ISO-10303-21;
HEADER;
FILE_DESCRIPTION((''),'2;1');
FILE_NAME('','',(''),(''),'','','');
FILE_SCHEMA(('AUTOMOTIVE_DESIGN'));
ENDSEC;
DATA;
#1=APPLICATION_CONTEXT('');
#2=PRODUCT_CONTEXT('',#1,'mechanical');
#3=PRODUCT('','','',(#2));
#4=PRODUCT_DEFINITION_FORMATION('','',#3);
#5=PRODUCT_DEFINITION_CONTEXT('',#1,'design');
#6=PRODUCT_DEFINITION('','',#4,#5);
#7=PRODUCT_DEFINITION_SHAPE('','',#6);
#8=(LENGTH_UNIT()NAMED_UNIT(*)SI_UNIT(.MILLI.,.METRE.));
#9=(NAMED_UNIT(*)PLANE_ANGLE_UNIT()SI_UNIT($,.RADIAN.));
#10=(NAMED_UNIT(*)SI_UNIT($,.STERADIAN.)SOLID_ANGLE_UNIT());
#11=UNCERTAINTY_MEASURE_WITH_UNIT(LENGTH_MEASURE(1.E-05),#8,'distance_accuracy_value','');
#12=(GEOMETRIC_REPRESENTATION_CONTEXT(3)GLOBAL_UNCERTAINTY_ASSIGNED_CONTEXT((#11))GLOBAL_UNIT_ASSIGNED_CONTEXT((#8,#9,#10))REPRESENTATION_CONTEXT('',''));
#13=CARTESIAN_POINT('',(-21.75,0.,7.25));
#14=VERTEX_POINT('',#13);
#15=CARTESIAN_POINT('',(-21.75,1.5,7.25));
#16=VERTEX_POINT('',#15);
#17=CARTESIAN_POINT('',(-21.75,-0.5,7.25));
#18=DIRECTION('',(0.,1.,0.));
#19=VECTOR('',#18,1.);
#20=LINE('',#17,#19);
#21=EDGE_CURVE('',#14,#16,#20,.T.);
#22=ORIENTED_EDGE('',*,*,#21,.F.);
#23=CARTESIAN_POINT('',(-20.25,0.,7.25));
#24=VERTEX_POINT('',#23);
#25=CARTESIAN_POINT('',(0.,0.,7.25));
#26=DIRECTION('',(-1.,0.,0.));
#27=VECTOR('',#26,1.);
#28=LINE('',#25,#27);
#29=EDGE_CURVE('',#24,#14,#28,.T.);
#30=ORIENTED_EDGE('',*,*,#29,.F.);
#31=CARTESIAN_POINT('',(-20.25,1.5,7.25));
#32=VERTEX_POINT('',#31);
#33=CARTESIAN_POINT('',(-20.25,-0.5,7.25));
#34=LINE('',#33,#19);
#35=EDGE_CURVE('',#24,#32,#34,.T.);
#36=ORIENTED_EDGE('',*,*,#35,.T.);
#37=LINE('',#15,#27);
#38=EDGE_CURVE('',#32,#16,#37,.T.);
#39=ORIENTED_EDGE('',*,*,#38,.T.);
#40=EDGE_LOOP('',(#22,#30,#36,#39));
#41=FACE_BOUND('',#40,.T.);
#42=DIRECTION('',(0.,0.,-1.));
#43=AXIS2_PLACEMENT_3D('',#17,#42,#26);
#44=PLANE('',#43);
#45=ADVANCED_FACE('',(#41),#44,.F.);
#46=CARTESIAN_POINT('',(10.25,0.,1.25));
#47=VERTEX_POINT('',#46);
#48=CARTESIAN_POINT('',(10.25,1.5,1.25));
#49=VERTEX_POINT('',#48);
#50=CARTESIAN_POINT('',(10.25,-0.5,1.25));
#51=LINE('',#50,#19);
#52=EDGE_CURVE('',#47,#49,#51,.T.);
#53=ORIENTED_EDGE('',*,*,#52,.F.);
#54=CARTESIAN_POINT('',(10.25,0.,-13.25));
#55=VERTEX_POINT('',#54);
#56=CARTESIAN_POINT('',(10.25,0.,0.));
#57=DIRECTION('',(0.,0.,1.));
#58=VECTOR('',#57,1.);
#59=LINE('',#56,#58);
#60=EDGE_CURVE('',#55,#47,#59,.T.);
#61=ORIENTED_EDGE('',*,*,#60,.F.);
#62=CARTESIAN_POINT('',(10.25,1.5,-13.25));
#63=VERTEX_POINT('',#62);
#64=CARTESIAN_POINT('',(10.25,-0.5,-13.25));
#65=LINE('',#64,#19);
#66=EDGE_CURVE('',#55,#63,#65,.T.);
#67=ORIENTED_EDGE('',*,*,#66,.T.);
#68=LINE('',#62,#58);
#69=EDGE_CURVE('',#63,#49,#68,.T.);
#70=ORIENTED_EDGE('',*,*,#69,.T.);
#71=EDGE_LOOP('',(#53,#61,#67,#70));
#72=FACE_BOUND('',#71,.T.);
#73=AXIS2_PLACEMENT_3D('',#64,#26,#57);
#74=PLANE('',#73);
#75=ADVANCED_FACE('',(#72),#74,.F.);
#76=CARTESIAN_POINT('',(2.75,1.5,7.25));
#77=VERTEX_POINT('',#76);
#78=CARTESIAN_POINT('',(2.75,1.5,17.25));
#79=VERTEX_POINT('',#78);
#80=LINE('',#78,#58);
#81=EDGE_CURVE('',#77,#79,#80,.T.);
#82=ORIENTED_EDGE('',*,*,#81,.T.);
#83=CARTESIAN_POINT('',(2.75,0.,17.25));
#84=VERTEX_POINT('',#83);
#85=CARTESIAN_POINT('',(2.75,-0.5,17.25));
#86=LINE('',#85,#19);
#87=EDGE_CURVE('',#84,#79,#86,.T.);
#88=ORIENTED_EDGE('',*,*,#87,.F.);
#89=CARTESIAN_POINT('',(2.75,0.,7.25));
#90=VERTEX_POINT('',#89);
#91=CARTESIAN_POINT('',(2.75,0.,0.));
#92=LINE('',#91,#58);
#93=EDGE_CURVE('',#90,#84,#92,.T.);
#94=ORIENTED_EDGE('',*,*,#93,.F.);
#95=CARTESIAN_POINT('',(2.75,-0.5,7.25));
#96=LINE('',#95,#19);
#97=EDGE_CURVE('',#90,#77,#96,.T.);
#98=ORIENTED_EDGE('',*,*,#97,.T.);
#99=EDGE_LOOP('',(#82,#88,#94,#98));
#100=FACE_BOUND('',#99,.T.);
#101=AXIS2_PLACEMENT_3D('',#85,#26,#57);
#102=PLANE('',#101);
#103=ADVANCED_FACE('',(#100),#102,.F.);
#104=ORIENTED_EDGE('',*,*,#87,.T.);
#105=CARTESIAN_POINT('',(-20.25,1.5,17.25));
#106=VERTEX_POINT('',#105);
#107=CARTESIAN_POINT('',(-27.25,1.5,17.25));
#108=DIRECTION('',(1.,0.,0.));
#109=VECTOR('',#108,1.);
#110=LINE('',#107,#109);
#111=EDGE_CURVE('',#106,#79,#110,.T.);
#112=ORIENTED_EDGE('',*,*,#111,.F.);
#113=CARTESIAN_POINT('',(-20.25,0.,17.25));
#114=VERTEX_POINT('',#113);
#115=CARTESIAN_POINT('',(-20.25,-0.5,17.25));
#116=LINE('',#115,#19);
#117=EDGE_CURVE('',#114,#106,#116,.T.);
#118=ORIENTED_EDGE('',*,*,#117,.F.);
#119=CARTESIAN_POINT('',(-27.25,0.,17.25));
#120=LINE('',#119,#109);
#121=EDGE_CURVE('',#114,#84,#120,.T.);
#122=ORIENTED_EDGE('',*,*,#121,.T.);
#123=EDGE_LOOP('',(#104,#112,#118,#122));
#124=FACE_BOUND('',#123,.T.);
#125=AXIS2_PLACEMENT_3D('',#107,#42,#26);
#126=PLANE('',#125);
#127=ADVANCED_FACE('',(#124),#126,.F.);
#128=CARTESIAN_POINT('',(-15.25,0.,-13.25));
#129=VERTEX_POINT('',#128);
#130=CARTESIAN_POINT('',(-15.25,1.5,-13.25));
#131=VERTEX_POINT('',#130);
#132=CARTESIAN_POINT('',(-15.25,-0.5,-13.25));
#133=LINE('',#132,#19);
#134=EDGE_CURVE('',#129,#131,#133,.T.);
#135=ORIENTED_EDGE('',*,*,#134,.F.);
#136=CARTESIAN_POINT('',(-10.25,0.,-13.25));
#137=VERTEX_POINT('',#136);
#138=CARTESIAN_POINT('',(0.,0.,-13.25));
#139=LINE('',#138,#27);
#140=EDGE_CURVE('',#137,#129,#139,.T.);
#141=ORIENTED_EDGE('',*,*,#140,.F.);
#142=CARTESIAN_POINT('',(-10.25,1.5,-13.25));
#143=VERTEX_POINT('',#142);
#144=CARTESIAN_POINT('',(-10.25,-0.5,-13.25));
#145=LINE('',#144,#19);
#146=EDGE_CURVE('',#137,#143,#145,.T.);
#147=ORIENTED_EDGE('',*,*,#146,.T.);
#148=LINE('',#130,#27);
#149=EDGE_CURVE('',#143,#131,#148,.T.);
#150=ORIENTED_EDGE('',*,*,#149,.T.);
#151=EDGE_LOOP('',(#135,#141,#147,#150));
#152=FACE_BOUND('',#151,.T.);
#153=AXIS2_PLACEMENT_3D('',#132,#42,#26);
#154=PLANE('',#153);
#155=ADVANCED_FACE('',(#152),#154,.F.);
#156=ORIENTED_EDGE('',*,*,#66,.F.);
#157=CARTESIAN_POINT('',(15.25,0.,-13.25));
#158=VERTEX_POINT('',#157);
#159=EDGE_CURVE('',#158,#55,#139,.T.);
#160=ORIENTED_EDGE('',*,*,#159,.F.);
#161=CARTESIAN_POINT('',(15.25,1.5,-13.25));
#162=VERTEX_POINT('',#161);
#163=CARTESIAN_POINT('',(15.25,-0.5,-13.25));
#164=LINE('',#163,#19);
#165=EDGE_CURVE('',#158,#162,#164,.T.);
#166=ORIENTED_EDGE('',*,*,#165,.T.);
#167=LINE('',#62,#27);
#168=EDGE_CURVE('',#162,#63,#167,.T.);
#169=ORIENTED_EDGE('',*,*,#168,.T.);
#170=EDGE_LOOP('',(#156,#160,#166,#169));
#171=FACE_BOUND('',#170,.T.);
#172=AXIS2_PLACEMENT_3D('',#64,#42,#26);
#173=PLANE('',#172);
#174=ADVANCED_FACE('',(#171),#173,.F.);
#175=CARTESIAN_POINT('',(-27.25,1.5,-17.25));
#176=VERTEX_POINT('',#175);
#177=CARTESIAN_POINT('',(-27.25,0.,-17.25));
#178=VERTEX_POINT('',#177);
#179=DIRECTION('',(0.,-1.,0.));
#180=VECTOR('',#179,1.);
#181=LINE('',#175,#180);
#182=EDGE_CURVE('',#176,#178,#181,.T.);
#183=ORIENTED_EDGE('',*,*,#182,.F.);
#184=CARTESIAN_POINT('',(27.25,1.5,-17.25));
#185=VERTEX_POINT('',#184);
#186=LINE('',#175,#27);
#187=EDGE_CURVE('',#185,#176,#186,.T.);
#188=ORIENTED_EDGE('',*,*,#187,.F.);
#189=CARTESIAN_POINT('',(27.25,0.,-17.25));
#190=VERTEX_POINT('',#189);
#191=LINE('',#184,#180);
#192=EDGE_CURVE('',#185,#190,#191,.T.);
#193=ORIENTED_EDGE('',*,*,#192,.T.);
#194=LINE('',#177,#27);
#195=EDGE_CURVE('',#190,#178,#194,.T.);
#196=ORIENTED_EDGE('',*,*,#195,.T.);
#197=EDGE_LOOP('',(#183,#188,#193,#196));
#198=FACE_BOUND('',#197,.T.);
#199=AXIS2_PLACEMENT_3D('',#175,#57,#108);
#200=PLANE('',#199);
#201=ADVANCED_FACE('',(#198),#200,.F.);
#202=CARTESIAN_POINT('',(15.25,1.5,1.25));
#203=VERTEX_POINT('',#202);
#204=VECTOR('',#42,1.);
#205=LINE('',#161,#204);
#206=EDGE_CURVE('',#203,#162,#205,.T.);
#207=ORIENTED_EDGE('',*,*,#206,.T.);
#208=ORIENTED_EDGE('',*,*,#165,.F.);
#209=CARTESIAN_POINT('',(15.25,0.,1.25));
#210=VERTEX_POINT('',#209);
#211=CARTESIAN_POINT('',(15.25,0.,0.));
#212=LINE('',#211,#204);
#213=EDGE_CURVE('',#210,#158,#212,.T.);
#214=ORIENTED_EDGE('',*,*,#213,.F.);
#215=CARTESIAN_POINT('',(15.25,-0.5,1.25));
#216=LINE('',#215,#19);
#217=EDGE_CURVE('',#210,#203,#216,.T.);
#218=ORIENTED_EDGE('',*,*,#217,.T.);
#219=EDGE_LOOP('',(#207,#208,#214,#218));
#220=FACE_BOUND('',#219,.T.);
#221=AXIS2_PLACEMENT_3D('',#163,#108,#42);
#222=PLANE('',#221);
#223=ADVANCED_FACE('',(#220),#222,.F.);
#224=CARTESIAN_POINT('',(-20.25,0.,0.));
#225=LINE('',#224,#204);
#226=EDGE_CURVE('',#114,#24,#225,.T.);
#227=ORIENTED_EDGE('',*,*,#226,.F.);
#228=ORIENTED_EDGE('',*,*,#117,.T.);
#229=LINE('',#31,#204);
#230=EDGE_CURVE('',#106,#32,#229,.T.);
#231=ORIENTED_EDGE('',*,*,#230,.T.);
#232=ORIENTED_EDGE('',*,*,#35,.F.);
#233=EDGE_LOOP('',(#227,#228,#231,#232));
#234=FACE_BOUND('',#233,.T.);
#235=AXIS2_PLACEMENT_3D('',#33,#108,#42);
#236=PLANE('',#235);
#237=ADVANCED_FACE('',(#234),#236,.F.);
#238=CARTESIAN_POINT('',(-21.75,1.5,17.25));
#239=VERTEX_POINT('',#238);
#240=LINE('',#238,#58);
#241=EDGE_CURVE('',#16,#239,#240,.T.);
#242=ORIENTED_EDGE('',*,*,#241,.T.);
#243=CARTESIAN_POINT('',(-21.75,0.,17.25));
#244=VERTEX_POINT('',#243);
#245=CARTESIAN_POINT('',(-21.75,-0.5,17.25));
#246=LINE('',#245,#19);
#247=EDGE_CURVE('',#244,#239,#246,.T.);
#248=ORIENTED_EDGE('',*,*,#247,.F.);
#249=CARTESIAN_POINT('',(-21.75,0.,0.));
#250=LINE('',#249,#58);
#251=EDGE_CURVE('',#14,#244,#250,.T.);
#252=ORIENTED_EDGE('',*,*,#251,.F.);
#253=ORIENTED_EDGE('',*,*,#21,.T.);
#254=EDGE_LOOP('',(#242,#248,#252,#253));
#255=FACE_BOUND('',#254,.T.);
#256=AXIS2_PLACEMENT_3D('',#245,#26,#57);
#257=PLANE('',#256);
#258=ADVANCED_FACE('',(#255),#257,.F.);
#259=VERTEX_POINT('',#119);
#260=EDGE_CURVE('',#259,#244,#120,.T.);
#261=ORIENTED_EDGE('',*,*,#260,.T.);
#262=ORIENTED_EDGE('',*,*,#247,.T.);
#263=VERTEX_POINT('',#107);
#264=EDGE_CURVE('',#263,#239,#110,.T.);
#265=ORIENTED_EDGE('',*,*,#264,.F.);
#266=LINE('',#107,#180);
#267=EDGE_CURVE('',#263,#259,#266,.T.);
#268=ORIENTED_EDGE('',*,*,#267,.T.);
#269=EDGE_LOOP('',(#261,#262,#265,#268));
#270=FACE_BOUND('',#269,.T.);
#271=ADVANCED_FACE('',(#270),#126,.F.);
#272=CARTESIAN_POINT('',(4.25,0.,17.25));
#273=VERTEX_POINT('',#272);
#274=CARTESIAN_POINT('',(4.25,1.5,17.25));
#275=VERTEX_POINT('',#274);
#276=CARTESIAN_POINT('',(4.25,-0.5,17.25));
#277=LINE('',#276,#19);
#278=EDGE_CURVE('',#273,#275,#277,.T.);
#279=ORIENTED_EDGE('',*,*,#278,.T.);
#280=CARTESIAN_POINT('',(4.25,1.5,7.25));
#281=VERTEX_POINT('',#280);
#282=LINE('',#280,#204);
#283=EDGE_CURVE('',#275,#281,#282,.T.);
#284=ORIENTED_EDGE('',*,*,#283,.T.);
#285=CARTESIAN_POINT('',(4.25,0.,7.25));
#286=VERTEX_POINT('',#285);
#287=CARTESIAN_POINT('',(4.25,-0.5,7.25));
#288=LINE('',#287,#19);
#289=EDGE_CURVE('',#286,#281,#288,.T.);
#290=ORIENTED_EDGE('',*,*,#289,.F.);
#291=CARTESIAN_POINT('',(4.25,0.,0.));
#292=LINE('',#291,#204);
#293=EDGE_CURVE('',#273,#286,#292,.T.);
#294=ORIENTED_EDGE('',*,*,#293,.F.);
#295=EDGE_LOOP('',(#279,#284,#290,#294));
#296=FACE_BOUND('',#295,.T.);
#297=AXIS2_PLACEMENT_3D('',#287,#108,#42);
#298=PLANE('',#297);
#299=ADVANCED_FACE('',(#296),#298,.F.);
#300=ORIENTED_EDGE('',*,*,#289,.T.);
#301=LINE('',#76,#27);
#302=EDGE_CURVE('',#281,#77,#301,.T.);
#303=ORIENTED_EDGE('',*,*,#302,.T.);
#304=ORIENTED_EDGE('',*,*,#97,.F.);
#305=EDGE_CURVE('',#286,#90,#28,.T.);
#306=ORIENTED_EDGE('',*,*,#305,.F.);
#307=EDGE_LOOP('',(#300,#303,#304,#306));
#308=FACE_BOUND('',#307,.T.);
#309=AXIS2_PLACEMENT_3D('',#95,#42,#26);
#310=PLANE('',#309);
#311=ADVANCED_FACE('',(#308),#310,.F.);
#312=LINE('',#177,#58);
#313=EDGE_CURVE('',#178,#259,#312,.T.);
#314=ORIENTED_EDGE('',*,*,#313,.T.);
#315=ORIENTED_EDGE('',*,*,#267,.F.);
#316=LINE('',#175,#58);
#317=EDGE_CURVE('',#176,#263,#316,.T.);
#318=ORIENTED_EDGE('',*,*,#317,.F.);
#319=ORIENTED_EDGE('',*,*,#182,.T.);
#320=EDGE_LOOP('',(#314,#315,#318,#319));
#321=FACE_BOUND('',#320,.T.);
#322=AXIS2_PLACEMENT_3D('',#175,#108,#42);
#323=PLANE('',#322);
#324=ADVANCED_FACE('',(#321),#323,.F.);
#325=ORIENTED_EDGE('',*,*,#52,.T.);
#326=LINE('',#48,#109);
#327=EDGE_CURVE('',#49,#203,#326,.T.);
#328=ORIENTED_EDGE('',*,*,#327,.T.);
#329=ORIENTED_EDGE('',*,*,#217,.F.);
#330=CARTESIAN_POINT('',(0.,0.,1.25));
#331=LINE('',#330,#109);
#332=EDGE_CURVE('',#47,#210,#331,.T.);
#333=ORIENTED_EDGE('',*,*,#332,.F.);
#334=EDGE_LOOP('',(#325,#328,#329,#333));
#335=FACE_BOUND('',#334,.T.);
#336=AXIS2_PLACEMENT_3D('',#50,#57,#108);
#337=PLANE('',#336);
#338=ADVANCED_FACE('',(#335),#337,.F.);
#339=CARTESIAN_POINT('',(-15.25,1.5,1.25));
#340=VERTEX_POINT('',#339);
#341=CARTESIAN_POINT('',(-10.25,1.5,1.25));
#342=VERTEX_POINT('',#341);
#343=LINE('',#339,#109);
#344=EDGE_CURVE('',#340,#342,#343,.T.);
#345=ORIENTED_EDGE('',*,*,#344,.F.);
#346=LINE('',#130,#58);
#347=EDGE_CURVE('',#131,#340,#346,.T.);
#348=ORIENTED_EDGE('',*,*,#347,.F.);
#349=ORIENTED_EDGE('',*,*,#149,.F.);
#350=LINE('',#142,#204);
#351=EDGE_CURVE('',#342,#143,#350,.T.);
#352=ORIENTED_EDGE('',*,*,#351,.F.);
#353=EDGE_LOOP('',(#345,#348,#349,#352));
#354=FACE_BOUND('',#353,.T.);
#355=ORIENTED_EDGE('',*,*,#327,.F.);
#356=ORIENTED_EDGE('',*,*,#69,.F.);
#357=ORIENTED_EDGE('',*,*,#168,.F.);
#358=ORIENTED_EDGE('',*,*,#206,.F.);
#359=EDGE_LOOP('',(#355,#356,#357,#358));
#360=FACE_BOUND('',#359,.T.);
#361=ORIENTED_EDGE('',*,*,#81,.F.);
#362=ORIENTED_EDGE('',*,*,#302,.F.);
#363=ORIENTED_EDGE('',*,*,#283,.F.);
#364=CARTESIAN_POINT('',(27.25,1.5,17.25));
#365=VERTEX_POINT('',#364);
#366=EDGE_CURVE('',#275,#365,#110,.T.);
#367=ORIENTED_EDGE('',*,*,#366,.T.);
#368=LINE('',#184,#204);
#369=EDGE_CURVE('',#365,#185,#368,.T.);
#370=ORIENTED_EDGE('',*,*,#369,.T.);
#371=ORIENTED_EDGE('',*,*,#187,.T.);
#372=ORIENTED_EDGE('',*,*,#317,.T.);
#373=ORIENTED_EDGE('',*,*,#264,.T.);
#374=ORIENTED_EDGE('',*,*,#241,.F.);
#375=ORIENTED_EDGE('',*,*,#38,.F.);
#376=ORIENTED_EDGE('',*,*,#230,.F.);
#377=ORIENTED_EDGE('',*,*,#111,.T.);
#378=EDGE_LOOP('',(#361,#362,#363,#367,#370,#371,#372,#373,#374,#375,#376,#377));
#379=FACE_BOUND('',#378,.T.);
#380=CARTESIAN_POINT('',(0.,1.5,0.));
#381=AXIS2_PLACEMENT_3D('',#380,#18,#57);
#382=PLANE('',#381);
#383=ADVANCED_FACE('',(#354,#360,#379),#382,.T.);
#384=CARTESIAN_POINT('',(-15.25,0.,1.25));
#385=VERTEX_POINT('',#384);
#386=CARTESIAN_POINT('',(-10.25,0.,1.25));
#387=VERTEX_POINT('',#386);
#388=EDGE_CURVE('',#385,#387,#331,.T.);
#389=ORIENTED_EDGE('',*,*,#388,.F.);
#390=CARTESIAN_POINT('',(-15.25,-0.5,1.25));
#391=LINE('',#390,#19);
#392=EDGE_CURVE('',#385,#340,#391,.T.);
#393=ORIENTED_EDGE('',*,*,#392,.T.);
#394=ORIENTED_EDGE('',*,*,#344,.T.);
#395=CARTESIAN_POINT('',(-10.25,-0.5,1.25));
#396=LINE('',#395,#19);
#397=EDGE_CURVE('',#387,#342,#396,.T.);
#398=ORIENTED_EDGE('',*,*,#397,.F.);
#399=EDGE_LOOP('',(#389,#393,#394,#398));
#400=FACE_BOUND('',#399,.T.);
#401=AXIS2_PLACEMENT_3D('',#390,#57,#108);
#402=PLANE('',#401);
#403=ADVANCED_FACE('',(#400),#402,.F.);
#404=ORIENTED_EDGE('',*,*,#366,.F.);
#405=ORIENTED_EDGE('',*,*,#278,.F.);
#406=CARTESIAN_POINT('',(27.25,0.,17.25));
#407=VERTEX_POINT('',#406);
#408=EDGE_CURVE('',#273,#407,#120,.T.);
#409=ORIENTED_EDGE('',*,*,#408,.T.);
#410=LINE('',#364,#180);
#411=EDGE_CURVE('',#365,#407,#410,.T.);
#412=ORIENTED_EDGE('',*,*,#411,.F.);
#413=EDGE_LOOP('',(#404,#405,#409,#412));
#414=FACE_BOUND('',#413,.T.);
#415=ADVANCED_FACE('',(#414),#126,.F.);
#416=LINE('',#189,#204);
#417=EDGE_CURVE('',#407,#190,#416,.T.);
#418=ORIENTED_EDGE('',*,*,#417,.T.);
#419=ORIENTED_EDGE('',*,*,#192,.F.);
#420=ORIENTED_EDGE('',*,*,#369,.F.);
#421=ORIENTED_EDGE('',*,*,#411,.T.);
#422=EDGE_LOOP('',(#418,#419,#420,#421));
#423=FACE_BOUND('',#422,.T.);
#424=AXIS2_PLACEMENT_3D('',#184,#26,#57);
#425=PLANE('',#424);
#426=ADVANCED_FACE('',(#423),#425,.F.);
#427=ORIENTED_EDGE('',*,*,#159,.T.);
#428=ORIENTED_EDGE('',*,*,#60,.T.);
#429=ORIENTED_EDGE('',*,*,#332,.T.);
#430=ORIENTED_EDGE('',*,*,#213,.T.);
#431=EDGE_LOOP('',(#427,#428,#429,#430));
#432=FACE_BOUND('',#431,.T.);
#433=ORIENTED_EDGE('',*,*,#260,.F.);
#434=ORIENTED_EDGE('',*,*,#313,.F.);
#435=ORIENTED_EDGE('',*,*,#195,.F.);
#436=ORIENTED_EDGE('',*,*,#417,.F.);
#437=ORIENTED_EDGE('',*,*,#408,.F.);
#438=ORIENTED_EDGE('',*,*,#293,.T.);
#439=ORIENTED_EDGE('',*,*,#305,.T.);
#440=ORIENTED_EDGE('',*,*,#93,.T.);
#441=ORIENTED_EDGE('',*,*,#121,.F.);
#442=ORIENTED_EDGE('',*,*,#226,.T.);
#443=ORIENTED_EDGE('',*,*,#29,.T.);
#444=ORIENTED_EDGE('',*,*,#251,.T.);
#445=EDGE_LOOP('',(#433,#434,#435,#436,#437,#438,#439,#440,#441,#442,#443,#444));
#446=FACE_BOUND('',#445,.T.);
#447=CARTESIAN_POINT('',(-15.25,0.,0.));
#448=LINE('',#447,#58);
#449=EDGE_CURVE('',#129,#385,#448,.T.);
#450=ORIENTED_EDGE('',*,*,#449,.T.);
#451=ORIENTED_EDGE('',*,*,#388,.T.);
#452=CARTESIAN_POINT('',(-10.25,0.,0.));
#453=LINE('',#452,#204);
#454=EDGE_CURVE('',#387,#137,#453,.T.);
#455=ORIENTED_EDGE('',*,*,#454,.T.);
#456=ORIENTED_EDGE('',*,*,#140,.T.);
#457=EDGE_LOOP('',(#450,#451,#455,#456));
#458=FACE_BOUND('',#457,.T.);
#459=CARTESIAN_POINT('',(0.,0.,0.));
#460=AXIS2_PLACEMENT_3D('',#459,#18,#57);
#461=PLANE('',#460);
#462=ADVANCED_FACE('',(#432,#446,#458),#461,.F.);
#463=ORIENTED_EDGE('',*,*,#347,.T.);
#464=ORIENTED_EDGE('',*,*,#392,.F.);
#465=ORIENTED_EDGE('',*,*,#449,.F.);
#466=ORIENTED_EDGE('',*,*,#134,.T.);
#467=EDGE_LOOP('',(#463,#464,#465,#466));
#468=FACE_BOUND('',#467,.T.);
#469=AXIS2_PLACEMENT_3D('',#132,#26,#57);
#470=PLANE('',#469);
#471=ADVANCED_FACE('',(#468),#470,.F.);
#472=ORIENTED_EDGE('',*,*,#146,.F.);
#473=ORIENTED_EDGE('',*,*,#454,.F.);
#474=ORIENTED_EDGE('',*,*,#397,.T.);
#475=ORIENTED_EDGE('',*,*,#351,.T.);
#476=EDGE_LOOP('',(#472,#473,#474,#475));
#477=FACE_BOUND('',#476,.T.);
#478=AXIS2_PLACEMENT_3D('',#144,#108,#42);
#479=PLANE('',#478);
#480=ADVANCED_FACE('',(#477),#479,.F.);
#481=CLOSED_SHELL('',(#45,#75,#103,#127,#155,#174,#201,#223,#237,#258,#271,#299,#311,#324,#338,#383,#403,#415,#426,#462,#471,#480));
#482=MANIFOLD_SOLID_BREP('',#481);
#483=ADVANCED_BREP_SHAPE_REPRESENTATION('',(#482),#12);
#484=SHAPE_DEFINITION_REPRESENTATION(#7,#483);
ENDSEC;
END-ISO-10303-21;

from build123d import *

# Parameters (mm, degrees)
SKETCH1_W           = 54.5
SKETCH1_H           = 34.5
BOSS_EXTRUDE1_DEPTH = 1.5
SKETCH6_W           = 5
SKETCH6_H           = 14.5
CUT_EXTRUDE1_DEPTH  = 2
SKETCH9_W           = 5
SKETCH9_H           = 14.5
CUT_EXTRUDE2_DEPTH  = 2
SKETCH27_W          = 1.5
SKETCH27_H          = 10
CUT_EXTRUDE3_DEPTH  = 2
SKETCH37_W          = 1.5
SKETCH37_H          = 10
CUT_EXTRUDE10_DEPTH = 2


with BuildPart() as part:
    # Sketch1 → Boss-Extrude1 (new body)
    with BuildSketch(Plane(origin=(0, 0, 0), x_dir=(1, 0, 0), z_dir=(0, 1, 0))):
        Rectangle(SKETCH1_W, SKETCH1_H)
    extrude(amount=BOSS_EXTRUDE1_DEPTH)

    # Sketch6 → Cut-Extrude1 (cut)
    with BuildSketch(Plane(origin=(0, 1.5, 0), x_dir=(1, 0, 0), z_dir=(0, 1, 0))):
        with Locations((-12.75, 6)):
            Rectangle(SKETCH6_W, SKETCH6_H)
    extrude(amount=-CUT_EXTRUDE1_DEPTH, mode=Mode.SUBTRACT)

    # Sketch9 → Cut-Extrude2 (cut)
    with BuildSketch(Plane(origin=(0, 1.5, 0), x_dir=(1, 0, 0), z_dir=(0, 1, 0))):
        with Locations((12.75, 6)):
            Rectangle(SKETCH9_W, SKETCH9_H)
    extrude(amount=-CUT_EXTRUDE2_DEPTH, mode=Mode.SUBTRACT)

    # Sketch27 → Cut-Extrude3 (cut)
    with BuildSketch(Plane(origin=(0, 1.5, 0), x_dir=(1, 0, 0), z_dir=(0, 1, 0))):
        with Locations((-21, -12.25)):
            Rectangle(SKETCH27_W, SKETCH27_H)
    extrude(amount=-CUT_EXTRUDE3_DEPTH, mode=Mode.SUBTRACT)

    # Sketch37 → Cut-Extrude10 (cut)
    with BuildSketch(Plane(origin=(0, 1.5, 0), x_dir=(1, 0, 0), z_dir=(0, 1, 0))):
        with Locations((3.5, -12.25)):
            Rectangle(SKETCH37_W, SKETCH37_H)
    extrude(amount=-CUT_EXTRUDE10_DEPTH, mode=Mode.SUBTRACT)


solid = part.part
